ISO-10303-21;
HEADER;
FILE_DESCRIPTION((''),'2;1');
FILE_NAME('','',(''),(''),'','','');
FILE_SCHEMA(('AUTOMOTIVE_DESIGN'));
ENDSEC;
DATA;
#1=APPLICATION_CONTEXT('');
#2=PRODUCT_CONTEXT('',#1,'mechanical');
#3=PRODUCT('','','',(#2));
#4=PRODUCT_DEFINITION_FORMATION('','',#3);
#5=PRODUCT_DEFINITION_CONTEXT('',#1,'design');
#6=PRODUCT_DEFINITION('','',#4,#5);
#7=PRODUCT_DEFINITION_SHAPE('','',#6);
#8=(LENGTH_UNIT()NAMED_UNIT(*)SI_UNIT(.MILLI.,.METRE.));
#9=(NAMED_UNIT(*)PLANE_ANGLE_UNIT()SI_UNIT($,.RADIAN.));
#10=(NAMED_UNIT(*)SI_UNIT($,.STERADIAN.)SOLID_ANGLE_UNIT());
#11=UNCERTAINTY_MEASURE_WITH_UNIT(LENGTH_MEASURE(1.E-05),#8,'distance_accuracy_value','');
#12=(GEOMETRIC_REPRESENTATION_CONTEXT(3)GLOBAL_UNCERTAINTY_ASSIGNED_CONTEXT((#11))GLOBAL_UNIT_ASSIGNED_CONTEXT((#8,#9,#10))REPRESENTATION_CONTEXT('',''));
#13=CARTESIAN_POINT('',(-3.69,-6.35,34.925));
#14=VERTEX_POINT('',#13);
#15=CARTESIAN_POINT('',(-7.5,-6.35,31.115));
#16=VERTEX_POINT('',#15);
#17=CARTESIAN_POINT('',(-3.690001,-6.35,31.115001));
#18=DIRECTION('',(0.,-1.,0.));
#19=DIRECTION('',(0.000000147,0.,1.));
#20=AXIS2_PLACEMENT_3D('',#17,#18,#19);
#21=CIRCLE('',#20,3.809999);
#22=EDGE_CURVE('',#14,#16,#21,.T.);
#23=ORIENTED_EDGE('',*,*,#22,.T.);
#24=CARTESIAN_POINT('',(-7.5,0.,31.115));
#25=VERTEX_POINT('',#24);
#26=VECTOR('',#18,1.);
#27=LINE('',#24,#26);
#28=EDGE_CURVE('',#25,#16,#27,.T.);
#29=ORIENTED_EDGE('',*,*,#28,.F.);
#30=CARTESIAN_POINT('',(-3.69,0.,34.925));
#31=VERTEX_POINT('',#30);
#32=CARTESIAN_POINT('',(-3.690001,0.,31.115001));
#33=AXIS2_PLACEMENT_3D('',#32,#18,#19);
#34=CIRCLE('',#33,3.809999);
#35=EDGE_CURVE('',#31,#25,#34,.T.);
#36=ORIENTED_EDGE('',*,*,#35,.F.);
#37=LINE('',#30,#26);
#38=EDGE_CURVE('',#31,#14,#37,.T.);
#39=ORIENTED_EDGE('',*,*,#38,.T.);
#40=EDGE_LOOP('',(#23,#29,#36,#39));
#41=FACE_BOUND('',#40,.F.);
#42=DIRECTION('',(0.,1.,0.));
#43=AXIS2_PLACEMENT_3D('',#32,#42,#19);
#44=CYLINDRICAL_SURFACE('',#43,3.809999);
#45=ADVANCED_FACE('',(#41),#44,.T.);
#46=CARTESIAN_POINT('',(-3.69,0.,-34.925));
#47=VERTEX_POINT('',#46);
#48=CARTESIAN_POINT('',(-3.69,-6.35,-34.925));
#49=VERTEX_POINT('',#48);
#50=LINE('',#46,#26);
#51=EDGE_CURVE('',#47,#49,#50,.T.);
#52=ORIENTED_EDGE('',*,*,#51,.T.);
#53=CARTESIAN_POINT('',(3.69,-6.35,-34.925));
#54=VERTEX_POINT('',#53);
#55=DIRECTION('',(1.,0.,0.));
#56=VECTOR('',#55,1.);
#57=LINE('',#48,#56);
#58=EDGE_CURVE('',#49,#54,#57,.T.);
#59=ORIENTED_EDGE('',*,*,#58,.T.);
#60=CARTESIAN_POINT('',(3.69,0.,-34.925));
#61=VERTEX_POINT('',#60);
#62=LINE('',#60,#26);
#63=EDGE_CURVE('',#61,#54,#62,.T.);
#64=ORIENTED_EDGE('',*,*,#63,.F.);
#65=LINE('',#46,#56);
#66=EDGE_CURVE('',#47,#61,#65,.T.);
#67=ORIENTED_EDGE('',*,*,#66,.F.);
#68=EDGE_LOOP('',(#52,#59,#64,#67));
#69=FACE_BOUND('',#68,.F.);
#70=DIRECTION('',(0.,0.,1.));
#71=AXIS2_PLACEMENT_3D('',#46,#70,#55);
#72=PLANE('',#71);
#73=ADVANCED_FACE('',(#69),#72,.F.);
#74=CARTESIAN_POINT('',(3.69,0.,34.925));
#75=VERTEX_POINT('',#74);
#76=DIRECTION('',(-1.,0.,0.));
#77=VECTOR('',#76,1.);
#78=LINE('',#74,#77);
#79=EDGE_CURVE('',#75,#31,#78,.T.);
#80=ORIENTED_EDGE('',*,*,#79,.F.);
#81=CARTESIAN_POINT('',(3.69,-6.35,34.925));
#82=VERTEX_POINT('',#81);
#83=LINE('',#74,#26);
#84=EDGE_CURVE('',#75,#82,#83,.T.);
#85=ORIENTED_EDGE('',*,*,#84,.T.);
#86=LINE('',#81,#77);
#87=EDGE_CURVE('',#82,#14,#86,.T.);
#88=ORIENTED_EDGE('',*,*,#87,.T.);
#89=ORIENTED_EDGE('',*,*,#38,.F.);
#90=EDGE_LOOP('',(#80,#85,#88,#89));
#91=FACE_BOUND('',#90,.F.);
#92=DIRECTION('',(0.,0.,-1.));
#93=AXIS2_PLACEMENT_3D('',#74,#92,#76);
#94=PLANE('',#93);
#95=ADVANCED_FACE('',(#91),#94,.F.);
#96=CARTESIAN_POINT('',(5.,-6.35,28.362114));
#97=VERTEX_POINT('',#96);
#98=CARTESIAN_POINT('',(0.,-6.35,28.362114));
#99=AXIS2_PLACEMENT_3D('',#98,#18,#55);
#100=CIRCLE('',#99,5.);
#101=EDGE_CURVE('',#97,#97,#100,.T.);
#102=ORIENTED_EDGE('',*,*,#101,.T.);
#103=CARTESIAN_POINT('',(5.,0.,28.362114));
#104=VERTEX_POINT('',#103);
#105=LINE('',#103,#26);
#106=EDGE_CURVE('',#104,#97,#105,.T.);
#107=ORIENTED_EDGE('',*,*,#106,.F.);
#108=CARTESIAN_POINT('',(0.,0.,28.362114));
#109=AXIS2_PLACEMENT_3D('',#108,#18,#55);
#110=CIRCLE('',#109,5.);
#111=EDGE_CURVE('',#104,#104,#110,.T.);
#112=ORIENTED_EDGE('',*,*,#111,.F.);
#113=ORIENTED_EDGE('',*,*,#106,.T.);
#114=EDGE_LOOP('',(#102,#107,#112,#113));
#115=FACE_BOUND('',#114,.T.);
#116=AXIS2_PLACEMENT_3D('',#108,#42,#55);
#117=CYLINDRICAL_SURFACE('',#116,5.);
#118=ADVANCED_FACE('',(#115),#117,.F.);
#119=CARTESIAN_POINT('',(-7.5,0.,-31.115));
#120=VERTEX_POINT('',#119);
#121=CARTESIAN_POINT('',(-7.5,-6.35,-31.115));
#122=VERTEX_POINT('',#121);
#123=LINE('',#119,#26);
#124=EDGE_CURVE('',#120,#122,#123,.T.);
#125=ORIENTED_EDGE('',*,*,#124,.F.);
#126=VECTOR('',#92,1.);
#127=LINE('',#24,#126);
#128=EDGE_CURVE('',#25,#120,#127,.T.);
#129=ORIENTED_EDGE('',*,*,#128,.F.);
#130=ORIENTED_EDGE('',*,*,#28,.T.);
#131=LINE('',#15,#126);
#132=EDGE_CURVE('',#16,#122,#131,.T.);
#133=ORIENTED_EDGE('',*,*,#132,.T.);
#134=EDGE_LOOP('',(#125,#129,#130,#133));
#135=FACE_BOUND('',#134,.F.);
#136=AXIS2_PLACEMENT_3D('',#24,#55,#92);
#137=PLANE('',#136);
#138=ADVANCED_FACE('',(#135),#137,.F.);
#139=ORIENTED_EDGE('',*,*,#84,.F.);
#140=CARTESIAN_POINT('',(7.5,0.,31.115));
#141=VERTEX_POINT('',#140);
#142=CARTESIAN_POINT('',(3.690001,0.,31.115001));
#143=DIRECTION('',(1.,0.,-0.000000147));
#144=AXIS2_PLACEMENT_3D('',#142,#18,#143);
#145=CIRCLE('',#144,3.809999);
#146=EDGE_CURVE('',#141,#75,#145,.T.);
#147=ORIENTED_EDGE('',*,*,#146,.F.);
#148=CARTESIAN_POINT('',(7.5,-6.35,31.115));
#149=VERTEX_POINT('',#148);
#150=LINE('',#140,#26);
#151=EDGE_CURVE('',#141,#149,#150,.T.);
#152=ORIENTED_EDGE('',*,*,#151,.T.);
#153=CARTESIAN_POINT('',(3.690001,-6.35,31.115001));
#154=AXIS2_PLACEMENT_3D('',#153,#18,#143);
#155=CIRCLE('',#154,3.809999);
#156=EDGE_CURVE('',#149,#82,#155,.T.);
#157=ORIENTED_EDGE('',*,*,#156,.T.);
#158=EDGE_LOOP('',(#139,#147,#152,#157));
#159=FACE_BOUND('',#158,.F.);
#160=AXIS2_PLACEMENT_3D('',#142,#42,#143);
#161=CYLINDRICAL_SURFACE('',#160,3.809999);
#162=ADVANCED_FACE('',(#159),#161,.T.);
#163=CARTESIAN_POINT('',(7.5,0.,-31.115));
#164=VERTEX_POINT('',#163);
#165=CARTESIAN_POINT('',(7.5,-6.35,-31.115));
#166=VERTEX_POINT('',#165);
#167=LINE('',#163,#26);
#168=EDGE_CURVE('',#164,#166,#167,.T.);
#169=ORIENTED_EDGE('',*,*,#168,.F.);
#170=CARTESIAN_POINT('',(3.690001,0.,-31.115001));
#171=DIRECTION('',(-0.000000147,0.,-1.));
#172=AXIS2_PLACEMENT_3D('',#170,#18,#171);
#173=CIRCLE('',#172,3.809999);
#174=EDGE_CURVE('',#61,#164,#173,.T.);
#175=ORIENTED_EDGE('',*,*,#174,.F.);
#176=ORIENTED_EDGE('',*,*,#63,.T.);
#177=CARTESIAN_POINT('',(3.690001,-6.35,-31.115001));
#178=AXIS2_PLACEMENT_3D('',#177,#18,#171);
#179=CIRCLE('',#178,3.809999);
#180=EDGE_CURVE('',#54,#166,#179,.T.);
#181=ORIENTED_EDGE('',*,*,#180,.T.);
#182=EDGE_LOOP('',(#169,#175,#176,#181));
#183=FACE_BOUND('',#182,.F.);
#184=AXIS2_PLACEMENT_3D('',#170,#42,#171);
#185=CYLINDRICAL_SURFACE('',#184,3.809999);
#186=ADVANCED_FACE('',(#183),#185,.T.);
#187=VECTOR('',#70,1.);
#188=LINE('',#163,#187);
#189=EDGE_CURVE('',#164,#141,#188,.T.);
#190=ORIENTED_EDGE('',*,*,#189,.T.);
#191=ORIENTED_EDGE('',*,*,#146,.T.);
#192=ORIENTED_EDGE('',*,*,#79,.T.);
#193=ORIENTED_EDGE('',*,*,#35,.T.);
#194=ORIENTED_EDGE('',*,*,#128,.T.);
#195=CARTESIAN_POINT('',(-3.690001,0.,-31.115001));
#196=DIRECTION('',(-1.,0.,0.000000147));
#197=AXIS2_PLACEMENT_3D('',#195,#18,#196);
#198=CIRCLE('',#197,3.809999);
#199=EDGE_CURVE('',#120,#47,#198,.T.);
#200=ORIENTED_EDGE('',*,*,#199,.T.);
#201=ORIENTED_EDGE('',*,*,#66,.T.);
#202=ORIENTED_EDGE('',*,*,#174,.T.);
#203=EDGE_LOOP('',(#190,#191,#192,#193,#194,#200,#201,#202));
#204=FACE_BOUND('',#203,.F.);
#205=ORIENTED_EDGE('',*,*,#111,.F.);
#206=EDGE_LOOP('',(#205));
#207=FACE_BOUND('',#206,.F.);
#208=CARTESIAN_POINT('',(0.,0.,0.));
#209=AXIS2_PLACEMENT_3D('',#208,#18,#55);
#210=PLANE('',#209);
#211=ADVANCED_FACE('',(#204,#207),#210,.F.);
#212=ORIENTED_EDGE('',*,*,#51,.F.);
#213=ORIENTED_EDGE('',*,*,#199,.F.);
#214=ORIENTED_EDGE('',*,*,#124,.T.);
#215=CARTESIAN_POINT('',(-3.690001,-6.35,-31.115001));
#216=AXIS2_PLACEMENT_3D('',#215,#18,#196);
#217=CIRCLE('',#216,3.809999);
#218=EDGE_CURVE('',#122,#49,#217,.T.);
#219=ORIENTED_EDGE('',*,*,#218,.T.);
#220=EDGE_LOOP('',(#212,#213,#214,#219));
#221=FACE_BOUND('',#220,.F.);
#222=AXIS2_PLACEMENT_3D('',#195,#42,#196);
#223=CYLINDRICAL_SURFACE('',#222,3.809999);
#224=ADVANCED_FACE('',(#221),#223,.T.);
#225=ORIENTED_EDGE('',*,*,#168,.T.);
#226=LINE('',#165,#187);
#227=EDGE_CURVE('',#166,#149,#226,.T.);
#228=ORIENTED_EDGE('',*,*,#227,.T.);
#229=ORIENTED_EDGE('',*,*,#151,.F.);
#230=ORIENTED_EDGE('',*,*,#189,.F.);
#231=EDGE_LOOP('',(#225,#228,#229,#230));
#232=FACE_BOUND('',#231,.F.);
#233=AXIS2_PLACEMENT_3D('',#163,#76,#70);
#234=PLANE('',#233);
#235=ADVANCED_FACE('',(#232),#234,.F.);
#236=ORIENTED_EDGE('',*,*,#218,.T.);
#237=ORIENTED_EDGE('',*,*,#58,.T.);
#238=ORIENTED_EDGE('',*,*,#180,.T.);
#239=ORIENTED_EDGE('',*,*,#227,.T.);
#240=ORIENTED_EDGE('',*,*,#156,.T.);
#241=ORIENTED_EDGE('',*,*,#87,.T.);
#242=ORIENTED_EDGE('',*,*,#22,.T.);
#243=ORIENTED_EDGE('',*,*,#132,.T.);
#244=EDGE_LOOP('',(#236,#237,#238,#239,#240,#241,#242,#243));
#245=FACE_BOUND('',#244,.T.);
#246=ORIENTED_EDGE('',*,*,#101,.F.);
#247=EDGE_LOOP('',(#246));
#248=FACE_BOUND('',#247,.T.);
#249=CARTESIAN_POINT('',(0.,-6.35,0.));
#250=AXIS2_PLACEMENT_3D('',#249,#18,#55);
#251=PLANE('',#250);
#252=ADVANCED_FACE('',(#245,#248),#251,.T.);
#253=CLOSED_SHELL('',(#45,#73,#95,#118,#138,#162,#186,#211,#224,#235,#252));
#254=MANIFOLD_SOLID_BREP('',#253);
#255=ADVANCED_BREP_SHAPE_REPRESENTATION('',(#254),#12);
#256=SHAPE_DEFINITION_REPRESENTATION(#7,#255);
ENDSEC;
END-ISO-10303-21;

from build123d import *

# Parameters (mm, degrees)
F0_R     = 5
F1_DEPTH = 6.35


with BuildPart() as f1:
    # F0 (on Front) → F1 (new body)
    with BuildSketch(Plane.XZ):
        with BuildLine():
            Line((3.69, 34.925), (-3.69, 34.925))
            ThreePointArc((-3.69, 34.925), (-6.384077, 33.809077), (-7.5, 31.115))
            Line((-7.5, 31.115), (-7.5, -31.115))
            ThreePointArc((-7.5, -31.115), (-6.384077, -33.809077), (-3.69, -34.925))
            Line((-3.69, -34.925), (3.69, -34.925))
            ThreePointArc((3.69, -34.925), (6.384077, -33.809077), (7.5, -31.115))
            Line((7.5, -31.115), (7.5, 31.115))
            ThreePointArc((7.5, 31.115), (6.384077, 33.809077), (3.69, 34.925))
        make_face()
        with Locations((0, 28.362114)):
            Circle(F0_R, mode=Mode.SUBTRACT)
    extrude(amount=F1_DEPTH)


solid = f1.part
